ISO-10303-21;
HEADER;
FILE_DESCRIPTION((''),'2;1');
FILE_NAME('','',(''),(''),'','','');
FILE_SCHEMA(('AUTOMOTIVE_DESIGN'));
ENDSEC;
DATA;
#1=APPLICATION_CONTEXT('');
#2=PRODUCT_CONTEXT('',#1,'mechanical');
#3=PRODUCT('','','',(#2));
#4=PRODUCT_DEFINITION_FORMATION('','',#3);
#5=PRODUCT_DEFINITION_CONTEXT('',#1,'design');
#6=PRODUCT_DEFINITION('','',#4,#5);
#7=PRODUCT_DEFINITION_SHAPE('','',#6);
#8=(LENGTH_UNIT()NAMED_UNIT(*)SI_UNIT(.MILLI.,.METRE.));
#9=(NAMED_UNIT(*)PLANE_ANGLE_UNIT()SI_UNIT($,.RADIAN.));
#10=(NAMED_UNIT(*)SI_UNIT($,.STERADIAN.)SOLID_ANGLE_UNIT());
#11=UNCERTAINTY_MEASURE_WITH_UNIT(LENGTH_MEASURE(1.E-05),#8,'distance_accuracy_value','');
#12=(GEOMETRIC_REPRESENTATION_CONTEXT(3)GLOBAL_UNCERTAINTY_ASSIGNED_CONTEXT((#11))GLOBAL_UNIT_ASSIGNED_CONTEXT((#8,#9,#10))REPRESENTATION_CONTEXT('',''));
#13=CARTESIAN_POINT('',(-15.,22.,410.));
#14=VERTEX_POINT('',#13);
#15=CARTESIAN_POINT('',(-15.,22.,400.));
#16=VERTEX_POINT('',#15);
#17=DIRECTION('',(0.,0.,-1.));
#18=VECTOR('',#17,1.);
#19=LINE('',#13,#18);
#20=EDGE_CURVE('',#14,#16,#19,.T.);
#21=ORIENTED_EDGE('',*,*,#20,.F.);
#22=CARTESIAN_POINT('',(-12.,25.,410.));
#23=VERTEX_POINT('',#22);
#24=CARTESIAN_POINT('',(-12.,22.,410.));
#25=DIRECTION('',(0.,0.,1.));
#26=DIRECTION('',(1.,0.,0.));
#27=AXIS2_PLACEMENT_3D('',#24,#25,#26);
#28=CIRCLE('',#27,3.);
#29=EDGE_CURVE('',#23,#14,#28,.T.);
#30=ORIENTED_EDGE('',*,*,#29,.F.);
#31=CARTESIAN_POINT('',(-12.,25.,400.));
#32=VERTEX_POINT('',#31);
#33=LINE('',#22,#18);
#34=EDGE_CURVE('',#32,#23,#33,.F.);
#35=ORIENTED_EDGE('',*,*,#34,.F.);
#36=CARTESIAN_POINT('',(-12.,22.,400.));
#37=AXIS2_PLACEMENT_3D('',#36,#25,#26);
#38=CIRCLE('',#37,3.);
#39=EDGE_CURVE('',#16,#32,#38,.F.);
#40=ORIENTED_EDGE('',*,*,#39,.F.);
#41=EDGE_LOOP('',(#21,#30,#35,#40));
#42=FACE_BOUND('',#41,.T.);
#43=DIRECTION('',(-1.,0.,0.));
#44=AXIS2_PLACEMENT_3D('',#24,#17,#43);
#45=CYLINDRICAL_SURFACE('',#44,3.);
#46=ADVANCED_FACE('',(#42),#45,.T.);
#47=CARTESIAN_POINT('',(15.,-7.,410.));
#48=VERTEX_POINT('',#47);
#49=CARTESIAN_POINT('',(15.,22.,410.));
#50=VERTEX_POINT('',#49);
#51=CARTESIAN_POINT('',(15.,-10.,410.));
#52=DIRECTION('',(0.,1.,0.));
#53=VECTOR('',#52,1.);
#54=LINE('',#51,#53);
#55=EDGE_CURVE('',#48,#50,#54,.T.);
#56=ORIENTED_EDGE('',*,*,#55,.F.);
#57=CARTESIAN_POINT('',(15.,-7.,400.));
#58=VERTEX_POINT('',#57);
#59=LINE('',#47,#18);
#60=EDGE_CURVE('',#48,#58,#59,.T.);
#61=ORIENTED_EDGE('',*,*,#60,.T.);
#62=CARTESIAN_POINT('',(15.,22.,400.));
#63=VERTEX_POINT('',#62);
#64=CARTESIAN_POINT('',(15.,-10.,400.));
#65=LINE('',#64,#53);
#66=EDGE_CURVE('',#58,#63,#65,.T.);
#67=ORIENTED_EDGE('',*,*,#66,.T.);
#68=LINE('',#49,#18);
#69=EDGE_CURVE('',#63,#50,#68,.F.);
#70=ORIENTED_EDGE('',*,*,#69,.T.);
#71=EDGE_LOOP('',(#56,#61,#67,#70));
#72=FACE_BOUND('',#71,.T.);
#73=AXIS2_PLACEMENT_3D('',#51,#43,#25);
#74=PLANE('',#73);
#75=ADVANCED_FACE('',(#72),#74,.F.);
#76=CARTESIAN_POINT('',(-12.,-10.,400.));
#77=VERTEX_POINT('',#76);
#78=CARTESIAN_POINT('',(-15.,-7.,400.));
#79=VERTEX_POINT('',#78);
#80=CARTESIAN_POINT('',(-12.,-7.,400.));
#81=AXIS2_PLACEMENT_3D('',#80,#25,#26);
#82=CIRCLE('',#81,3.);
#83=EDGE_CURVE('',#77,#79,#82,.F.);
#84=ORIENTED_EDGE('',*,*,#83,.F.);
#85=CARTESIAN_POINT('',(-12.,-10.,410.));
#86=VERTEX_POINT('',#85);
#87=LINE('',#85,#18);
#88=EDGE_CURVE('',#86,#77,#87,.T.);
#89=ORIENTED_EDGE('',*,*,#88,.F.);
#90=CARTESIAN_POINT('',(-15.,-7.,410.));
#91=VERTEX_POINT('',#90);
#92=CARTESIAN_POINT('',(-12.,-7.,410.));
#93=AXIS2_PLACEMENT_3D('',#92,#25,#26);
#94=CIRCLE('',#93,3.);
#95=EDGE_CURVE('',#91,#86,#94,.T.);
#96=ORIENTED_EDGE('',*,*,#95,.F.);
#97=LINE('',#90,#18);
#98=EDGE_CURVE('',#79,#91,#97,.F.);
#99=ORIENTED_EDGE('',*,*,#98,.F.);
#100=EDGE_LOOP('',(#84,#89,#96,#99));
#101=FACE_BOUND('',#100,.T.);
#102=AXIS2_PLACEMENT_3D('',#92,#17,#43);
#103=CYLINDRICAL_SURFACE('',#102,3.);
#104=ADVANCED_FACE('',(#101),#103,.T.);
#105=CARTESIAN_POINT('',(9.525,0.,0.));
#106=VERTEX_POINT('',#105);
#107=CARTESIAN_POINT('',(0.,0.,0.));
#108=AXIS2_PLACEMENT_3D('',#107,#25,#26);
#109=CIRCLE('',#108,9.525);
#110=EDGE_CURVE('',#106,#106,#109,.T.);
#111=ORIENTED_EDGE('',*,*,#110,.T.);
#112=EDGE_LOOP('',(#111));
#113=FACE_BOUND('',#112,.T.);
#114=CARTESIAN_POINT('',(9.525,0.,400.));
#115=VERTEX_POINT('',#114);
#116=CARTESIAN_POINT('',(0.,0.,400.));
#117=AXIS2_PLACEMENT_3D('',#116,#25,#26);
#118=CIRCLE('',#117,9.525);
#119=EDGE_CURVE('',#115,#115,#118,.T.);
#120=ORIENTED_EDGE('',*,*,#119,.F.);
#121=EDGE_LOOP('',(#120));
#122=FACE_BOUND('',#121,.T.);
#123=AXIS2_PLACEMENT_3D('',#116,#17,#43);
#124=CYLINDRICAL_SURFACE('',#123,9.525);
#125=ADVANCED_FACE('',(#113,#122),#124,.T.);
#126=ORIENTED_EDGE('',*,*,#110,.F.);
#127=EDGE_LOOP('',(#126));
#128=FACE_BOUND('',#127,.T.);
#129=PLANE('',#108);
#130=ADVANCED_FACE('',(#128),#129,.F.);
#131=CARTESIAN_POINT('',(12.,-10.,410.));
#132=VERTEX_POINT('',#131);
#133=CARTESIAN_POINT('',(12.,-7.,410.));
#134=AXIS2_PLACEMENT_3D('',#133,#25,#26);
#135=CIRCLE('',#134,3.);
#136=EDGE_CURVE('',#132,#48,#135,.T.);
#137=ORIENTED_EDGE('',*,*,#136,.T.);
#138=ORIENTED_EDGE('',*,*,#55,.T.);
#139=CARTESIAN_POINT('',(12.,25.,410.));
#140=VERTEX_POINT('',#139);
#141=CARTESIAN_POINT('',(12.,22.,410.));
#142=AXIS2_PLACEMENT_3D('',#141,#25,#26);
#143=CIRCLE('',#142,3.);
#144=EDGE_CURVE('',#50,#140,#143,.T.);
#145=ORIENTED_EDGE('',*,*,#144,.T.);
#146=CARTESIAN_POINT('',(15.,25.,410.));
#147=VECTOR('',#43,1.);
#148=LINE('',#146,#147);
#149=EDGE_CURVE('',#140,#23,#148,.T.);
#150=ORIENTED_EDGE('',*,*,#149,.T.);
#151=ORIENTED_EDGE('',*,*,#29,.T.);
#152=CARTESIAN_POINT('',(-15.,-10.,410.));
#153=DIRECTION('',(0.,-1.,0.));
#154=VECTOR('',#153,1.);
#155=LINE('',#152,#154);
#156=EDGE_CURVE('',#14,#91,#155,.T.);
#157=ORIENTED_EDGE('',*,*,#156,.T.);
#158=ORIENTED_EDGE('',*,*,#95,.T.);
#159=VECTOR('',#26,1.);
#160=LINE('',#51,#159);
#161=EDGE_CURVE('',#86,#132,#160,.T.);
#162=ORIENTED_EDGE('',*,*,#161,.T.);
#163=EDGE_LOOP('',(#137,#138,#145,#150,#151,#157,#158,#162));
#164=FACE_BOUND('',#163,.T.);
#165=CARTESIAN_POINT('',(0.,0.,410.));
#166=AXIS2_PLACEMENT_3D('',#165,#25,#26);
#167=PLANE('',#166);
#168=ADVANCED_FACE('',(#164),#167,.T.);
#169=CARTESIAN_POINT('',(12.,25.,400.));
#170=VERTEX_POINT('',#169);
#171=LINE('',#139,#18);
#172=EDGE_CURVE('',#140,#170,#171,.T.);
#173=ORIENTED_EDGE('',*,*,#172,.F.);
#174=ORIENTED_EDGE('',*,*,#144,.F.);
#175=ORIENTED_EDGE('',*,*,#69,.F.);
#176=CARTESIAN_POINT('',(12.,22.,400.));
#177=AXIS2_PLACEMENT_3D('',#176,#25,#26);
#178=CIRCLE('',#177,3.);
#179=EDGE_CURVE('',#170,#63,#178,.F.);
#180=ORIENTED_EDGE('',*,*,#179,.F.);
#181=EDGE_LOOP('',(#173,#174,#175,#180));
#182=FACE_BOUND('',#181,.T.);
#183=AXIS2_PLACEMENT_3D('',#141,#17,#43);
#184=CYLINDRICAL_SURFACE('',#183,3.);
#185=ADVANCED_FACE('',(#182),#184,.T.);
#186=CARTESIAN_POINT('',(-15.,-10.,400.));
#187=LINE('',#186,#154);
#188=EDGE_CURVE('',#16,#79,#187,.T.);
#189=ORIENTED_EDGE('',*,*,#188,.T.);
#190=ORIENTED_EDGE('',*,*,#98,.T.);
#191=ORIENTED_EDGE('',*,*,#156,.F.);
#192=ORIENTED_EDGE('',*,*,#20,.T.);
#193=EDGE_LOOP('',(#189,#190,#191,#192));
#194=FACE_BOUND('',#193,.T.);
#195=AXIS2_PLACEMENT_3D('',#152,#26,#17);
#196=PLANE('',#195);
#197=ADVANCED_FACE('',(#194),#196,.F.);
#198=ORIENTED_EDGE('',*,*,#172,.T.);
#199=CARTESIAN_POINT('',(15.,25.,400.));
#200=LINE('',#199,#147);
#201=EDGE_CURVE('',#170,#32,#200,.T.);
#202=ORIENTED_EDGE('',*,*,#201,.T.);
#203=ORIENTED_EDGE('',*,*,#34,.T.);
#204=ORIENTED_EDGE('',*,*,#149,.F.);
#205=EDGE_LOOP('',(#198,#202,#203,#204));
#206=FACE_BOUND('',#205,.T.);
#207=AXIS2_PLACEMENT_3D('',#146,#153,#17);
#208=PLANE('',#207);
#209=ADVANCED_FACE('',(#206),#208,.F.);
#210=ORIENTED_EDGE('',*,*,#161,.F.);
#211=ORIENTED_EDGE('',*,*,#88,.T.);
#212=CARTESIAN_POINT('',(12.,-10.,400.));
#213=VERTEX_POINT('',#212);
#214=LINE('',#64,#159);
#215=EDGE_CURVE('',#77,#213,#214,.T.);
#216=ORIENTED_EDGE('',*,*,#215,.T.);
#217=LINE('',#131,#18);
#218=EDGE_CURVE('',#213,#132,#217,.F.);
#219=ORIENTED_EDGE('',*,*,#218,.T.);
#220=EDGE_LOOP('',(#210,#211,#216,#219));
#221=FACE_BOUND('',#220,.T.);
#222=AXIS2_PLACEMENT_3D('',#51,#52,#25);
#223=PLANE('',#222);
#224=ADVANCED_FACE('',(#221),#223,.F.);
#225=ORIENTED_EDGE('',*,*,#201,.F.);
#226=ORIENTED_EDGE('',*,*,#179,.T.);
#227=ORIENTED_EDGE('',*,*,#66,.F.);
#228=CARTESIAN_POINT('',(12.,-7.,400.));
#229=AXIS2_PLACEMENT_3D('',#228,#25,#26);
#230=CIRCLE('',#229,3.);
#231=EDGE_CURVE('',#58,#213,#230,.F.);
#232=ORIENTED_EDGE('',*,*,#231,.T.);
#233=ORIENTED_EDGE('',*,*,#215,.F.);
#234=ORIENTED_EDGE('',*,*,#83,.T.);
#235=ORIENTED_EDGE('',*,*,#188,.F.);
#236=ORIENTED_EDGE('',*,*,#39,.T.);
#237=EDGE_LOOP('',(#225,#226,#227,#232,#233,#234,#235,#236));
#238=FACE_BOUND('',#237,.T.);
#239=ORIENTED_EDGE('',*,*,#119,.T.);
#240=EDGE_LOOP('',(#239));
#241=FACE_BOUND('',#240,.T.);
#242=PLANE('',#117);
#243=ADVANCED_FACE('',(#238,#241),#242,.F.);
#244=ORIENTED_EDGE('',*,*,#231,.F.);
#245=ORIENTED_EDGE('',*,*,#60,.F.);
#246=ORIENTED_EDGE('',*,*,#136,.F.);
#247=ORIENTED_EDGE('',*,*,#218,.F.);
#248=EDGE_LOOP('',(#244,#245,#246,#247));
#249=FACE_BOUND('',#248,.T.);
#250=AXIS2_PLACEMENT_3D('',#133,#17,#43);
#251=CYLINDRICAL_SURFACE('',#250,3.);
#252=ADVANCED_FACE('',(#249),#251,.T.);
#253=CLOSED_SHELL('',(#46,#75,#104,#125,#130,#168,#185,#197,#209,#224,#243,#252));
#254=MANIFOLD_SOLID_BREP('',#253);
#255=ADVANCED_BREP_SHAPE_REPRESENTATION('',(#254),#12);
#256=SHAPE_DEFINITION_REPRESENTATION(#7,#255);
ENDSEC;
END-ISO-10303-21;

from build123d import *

# Parameters (mm, degrees)
SKETCH1_R           = 9.525
BOSS_EXTRUDE1_DEPTH = 400
SKETCH2_W           = 30
SKETCH2_H           = 35
BOSS_EXTRUDE2_DEPTH = 10
FILLET1_R           = 3


with BuildPart() as part:
    # Sketch1 → Boss-Extrude1 (new body)
    with BuildSketch(Plane.XY):
        Circle(SKETCH1_R)
    extrude(amount=BOSS_EXTRUDE1_DEPTH)

    # Sketch2 → Boss-Extrude2 (add)
    with BuildSketch(Plane.XY.offset(400)):
        with Locations((0, 7.5)):
            Rectangle(SKETCH2_W, SKETCH2_H)
    extrude(amount=BOSS_EXTRUDE2_DEPTH)

    # Fillet1
    fillet1_edges = [part.edges().sort_by_distance(p)[0] for p in [
        (-15, 25, 405),
        (-15, -10, 405),
        (15, -10, 405),
        (15, 25, 405),
    ]]
    fillet(fillet1_edges, radius=FILLET1_R)


solid = part.part
